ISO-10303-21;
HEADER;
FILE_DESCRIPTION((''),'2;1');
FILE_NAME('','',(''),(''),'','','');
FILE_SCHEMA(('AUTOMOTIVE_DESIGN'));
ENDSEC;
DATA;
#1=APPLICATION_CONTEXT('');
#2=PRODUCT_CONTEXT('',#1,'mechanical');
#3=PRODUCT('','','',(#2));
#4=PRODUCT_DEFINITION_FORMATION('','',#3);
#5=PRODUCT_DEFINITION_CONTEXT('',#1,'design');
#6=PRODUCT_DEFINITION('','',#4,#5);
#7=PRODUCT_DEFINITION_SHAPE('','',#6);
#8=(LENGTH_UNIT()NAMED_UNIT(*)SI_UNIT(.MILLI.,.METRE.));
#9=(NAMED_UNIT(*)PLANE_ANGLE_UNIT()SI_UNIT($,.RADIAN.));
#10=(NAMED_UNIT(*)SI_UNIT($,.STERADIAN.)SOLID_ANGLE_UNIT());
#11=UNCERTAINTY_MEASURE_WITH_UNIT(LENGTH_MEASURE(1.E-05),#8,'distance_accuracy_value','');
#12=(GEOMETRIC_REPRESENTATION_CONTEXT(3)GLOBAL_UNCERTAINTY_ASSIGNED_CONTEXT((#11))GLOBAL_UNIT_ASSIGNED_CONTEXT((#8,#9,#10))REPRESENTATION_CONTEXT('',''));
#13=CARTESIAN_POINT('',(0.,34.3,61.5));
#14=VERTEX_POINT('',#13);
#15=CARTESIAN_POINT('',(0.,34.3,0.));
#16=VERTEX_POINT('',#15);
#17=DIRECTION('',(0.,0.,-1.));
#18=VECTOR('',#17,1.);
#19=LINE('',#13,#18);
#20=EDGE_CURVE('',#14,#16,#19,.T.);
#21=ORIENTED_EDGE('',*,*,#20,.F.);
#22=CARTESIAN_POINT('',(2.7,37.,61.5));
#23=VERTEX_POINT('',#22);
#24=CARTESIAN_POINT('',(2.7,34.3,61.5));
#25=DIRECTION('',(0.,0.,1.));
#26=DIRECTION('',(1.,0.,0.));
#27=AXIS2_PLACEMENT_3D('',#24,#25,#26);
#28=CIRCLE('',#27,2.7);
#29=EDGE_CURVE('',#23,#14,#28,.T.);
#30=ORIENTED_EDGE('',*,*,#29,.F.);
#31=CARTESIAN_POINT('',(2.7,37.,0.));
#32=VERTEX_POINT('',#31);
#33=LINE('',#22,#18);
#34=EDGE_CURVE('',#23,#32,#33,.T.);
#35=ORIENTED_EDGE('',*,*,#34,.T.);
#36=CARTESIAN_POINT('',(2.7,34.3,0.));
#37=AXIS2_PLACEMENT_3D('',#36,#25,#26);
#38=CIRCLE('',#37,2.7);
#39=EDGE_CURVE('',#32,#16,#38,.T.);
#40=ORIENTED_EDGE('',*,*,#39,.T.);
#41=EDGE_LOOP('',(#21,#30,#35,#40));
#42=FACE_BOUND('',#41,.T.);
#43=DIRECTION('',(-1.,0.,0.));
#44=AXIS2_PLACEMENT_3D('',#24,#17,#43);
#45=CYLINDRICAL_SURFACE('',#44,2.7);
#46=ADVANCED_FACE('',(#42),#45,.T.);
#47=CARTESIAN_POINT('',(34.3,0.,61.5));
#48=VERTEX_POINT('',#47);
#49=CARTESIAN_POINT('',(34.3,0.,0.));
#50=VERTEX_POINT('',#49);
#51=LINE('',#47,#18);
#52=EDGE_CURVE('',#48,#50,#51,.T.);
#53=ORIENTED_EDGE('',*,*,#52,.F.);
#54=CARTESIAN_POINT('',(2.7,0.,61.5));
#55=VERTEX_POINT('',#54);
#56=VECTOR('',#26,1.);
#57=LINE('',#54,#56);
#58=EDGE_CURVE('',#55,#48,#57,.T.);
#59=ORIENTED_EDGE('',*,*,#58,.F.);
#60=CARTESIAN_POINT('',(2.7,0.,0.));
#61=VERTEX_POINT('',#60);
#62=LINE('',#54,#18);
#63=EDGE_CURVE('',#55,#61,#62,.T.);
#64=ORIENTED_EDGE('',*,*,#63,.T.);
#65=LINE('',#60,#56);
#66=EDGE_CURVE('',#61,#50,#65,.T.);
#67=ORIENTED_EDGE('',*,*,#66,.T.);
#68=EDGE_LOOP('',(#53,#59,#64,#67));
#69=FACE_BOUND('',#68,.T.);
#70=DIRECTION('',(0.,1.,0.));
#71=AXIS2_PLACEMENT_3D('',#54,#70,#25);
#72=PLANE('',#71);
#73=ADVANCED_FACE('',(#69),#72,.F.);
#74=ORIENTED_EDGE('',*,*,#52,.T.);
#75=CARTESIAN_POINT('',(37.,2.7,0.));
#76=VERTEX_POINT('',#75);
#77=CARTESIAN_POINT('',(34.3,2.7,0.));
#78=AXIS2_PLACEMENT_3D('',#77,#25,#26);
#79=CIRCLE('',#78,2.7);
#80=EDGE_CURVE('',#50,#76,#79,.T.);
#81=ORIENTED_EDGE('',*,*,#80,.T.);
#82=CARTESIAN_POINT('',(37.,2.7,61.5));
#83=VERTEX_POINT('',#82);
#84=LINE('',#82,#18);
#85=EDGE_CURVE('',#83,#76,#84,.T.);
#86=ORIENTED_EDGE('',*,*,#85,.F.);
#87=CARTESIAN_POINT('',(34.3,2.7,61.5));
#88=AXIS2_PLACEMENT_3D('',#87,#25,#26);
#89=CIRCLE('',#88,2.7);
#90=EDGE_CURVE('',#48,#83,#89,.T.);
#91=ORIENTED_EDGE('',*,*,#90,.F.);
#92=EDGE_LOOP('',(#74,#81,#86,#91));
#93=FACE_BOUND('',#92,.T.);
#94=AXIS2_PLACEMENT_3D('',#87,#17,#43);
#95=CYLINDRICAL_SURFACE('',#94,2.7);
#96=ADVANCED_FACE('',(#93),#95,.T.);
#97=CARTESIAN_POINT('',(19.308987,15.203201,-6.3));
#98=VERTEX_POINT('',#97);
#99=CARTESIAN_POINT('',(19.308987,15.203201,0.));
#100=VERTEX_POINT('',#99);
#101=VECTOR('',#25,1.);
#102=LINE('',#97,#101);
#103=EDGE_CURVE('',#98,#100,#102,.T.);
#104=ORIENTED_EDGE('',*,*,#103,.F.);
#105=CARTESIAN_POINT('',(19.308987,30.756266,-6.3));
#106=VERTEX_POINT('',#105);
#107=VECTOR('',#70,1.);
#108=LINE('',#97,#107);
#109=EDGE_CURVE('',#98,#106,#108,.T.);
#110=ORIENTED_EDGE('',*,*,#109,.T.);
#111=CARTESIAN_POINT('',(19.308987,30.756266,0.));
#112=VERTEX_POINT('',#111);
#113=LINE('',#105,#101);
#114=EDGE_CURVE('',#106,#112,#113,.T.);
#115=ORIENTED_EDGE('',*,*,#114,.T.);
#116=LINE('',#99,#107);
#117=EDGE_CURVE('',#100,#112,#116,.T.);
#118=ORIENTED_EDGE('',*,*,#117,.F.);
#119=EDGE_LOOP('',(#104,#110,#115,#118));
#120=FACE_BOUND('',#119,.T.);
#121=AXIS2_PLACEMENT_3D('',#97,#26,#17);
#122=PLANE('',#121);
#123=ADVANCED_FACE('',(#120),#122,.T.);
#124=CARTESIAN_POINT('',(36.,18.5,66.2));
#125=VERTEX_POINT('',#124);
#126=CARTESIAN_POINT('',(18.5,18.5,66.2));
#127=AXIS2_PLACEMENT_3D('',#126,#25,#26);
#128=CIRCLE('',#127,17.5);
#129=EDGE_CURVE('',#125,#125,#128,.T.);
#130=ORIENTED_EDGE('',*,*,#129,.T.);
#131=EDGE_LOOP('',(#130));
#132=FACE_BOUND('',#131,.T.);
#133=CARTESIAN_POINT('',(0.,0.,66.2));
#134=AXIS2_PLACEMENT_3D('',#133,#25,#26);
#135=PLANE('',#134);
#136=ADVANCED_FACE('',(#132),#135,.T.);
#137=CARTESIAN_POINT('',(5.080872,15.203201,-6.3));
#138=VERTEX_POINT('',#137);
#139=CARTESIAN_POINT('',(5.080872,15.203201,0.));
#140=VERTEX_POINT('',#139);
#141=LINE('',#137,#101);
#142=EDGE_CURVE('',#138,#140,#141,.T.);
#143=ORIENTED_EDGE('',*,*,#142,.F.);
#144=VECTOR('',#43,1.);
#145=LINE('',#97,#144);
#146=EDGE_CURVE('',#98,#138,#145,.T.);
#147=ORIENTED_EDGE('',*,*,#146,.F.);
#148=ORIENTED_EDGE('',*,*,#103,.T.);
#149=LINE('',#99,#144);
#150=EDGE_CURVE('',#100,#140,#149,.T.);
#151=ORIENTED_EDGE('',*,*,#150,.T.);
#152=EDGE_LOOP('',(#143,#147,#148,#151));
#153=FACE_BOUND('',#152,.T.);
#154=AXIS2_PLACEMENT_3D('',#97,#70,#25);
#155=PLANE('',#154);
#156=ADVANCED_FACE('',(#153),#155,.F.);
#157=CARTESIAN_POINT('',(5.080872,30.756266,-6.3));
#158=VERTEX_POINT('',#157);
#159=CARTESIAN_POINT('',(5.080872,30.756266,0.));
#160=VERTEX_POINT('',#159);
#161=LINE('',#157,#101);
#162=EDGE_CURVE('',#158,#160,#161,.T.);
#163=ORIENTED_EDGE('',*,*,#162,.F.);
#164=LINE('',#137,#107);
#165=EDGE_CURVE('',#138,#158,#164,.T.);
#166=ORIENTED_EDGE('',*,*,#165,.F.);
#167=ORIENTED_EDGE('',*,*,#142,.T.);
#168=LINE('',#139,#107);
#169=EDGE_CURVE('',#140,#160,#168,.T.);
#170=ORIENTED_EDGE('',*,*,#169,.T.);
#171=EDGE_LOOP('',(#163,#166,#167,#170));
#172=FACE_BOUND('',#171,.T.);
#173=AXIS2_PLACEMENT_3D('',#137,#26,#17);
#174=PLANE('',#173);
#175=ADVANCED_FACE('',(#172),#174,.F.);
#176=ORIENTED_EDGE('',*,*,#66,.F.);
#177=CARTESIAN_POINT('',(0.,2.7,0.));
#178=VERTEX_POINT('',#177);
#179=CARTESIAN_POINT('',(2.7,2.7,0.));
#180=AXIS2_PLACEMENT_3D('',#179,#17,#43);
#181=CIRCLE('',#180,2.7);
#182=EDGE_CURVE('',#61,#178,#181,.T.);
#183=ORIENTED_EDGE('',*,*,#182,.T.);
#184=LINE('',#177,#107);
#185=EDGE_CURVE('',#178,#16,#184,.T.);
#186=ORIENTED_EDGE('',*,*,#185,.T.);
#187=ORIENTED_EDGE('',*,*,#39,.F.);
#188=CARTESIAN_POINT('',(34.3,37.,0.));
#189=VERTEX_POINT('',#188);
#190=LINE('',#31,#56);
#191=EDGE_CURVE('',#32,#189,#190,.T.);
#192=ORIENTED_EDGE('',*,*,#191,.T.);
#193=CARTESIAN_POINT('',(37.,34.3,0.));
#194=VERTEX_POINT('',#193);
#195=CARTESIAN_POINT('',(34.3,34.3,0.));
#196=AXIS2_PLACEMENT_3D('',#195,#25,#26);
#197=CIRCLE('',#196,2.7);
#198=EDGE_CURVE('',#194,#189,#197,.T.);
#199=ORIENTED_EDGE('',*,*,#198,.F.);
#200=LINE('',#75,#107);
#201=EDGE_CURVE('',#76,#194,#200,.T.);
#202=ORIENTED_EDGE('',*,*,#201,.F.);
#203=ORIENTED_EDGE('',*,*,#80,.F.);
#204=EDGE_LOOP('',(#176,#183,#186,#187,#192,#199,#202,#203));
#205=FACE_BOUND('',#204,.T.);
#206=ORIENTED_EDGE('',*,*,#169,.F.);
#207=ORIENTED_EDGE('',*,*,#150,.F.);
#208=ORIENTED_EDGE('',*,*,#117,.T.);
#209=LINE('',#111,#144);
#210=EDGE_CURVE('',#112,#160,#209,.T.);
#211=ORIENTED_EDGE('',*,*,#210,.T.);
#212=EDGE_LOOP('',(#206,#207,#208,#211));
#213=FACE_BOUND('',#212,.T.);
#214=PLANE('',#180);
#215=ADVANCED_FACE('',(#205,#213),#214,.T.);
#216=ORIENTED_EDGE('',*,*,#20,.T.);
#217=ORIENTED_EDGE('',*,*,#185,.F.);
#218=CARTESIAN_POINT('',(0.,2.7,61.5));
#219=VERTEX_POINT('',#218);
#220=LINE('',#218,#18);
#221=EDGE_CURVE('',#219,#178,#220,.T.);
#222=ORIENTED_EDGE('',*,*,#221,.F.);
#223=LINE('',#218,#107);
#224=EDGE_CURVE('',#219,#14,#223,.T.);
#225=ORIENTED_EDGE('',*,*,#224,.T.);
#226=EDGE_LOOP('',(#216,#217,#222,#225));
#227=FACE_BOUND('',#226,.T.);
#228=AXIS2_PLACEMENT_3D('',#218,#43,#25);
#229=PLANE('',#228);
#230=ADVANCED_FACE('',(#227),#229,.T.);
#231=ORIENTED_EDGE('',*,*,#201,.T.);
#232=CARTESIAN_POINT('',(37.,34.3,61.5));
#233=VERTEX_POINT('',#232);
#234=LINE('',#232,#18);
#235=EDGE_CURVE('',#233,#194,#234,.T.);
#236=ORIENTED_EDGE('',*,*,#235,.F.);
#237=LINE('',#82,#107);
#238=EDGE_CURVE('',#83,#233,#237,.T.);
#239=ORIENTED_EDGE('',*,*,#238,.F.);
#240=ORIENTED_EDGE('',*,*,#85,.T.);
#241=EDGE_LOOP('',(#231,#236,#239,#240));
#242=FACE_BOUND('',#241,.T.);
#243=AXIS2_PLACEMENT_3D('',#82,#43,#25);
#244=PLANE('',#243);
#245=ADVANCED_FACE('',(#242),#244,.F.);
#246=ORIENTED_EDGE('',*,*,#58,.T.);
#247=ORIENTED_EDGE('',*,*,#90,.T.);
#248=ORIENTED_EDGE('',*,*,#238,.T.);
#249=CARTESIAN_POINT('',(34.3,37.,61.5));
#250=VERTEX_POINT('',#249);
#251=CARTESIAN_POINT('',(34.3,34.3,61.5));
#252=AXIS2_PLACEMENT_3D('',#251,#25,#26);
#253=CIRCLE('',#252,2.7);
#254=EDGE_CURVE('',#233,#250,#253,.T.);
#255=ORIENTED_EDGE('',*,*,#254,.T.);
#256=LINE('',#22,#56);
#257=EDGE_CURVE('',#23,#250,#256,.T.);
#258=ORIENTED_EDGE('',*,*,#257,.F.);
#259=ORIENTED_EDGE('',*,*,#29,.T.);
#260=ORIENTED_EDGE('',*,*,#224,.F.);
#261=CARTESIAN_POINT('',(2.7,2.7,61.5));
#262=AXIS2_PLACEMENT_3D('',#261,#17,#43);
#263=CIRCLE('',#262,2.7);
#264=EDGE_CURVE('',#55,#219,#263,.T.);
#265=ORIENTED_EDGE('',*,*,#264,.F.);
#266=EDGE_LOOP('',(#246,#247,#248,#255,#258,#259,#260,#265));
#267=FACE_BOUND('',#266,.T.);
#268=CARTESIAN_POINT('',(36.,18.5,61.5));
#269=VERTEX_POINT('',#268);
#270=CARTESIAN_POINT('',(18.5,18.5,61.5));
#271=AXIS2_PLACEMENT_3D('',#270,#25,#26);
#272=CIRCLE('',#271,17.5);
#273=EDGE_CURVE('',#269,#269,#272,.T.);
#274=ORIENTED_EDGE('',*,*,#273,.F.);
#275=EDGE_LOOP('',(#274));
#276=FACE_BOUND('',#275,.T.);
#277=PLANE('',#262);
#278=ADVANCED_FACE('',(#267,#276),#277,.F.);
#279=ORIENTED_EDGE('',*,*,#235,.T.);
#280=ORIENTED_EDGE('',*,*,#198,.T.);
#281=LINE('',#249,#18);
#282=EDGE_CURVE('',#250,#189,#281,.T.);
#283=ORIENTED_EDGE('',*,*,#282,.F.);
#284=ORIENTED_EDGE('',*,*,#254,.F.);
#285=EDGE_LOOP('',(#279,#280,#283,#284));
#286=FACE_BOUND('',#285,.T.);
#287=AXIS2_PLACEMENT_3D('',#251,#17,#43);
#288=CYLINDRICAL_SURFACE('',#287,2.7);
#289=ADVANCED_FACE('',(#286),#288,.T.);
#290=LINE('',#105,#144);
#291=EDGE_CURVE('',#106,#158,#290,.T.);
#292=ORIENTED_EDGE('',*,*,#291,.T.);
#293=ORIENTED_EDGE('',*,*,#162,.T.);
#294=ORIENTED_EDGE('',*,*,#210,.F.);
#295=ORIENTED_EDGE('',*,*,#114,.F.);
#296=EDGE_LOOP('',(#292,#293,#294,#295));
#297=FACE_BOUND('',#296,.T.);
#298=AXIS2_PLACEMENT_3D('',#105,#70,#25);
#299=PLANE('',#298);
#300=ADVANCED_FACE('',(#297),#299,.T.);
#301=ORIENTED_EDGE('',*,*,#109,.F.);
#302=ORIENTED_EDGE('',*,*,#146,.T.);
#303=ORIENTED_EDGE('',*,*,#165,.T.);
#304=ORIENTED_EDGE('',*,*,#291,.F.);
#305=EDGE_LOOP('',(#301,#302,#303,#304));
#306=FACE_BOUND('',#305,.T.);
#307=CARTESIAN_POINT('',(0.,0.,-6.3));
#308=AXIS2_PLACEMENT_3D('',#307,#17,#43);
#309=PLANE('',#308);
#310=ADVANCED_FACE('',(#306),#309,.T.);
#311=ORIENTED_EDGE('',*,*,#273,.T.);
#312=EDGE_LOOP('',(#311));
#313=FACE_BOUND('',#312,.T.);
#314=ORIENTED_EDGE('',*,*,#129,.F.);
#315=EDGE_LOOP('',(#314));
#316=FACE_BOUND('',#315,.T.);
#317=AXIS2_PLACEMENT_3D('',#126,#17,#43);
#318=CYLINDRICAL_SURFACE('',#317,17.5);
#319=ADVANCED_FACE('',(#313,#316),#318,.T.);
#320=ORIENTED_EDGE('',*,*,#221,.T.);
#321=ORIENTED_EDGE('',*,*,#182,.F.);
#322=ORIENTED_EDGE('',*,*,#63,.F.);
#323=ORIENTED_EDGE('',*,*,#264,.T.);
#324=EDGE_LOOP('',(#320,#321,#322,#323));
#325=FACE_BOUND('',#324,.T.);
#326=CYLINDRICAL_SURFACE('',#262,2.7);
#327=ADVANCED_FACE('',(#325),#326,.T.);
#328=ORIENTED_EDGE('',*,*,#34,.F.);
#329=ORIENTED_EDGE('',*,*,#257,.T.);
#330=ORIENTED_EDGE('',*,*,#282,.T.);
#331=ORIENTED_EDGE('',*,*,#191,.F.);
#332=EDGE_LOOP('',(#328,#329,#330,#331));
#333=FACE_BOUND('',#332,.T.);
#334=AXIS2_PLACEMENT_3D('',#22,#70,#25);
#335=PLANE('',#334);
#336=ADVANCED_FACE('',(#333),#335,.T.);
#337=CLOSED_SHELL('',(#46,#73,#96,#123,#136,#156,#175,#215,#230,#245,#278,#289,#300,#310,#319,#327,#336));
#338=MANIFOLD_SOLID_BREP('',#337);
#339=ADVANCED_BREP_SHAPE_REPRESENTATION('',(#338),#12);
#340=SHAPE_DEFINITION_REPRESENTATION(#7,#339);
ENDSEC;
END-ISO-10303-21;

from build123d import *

# Parameters (mm, degrees)
BOSS_EXTRUDE1_DEPTH = 61.5
SKETCH3_R           = 17.5
BOSS_EXTRUDE2_DEPTH = 4.7
SKETCH4_W           = 14.228114438
SKETCH4_H           = 15.553065114
BOSS_EXTRUDE3_DEPTH = 6.3


with BuildPart() as part:
    # Sketch1 → Boss-Extrude1 (new body)
    with BuildSketch(Plane.XY):
        with BuildLine():
            Line((2.7, 0), (34.3, 0))
            ThreePointArc((34.3, 0), (36.209188309, 0.790811691), (37, 2.7))
            Line((37, 2.7), (37, 34.3))
            ThreePointArc((37, 34.3), (36.209188309, 36.209188309), (34.3, 37))
            Line((34.3, 37), (2.7, 37))
            ThreePointArc((2.7, 37), (0.790811691, 36.209188309), (0, 34.3))
            Line((0, 34.3), (0, 2.7))
            ThreePointArc((0, 2.7), (0.790811691, 0.790811691), (2.7, 0))
        make_face()
    extrude(amount=BOSS_EXTRUDE1_DEPTH)

    # Sketch3 → Boss-Extrude2 (add)
    with BuildSketch(Plane.XY.offset(61.5)):
        with Locations((18.5, 18.5)):
            Circle(SKETCH3_R)
    extrude(amount=BOSS_EXTRUDE2_DEPTH)

    # Sketch4 → Boss-Extrude3 (add)
    with BuildSketch(Plane(origin=(0, 0, 0), x_dir=(-1, 0, 0), z_dir=(0, 0, -1))):
        with Locations((-12.194929465, 22.979733571)):
            Rectangle(SKETCH4_W, SKETCH4_H)
    extrude(amount=BOSS_EXTRUDE3_DEPTH)


solid = part.part
